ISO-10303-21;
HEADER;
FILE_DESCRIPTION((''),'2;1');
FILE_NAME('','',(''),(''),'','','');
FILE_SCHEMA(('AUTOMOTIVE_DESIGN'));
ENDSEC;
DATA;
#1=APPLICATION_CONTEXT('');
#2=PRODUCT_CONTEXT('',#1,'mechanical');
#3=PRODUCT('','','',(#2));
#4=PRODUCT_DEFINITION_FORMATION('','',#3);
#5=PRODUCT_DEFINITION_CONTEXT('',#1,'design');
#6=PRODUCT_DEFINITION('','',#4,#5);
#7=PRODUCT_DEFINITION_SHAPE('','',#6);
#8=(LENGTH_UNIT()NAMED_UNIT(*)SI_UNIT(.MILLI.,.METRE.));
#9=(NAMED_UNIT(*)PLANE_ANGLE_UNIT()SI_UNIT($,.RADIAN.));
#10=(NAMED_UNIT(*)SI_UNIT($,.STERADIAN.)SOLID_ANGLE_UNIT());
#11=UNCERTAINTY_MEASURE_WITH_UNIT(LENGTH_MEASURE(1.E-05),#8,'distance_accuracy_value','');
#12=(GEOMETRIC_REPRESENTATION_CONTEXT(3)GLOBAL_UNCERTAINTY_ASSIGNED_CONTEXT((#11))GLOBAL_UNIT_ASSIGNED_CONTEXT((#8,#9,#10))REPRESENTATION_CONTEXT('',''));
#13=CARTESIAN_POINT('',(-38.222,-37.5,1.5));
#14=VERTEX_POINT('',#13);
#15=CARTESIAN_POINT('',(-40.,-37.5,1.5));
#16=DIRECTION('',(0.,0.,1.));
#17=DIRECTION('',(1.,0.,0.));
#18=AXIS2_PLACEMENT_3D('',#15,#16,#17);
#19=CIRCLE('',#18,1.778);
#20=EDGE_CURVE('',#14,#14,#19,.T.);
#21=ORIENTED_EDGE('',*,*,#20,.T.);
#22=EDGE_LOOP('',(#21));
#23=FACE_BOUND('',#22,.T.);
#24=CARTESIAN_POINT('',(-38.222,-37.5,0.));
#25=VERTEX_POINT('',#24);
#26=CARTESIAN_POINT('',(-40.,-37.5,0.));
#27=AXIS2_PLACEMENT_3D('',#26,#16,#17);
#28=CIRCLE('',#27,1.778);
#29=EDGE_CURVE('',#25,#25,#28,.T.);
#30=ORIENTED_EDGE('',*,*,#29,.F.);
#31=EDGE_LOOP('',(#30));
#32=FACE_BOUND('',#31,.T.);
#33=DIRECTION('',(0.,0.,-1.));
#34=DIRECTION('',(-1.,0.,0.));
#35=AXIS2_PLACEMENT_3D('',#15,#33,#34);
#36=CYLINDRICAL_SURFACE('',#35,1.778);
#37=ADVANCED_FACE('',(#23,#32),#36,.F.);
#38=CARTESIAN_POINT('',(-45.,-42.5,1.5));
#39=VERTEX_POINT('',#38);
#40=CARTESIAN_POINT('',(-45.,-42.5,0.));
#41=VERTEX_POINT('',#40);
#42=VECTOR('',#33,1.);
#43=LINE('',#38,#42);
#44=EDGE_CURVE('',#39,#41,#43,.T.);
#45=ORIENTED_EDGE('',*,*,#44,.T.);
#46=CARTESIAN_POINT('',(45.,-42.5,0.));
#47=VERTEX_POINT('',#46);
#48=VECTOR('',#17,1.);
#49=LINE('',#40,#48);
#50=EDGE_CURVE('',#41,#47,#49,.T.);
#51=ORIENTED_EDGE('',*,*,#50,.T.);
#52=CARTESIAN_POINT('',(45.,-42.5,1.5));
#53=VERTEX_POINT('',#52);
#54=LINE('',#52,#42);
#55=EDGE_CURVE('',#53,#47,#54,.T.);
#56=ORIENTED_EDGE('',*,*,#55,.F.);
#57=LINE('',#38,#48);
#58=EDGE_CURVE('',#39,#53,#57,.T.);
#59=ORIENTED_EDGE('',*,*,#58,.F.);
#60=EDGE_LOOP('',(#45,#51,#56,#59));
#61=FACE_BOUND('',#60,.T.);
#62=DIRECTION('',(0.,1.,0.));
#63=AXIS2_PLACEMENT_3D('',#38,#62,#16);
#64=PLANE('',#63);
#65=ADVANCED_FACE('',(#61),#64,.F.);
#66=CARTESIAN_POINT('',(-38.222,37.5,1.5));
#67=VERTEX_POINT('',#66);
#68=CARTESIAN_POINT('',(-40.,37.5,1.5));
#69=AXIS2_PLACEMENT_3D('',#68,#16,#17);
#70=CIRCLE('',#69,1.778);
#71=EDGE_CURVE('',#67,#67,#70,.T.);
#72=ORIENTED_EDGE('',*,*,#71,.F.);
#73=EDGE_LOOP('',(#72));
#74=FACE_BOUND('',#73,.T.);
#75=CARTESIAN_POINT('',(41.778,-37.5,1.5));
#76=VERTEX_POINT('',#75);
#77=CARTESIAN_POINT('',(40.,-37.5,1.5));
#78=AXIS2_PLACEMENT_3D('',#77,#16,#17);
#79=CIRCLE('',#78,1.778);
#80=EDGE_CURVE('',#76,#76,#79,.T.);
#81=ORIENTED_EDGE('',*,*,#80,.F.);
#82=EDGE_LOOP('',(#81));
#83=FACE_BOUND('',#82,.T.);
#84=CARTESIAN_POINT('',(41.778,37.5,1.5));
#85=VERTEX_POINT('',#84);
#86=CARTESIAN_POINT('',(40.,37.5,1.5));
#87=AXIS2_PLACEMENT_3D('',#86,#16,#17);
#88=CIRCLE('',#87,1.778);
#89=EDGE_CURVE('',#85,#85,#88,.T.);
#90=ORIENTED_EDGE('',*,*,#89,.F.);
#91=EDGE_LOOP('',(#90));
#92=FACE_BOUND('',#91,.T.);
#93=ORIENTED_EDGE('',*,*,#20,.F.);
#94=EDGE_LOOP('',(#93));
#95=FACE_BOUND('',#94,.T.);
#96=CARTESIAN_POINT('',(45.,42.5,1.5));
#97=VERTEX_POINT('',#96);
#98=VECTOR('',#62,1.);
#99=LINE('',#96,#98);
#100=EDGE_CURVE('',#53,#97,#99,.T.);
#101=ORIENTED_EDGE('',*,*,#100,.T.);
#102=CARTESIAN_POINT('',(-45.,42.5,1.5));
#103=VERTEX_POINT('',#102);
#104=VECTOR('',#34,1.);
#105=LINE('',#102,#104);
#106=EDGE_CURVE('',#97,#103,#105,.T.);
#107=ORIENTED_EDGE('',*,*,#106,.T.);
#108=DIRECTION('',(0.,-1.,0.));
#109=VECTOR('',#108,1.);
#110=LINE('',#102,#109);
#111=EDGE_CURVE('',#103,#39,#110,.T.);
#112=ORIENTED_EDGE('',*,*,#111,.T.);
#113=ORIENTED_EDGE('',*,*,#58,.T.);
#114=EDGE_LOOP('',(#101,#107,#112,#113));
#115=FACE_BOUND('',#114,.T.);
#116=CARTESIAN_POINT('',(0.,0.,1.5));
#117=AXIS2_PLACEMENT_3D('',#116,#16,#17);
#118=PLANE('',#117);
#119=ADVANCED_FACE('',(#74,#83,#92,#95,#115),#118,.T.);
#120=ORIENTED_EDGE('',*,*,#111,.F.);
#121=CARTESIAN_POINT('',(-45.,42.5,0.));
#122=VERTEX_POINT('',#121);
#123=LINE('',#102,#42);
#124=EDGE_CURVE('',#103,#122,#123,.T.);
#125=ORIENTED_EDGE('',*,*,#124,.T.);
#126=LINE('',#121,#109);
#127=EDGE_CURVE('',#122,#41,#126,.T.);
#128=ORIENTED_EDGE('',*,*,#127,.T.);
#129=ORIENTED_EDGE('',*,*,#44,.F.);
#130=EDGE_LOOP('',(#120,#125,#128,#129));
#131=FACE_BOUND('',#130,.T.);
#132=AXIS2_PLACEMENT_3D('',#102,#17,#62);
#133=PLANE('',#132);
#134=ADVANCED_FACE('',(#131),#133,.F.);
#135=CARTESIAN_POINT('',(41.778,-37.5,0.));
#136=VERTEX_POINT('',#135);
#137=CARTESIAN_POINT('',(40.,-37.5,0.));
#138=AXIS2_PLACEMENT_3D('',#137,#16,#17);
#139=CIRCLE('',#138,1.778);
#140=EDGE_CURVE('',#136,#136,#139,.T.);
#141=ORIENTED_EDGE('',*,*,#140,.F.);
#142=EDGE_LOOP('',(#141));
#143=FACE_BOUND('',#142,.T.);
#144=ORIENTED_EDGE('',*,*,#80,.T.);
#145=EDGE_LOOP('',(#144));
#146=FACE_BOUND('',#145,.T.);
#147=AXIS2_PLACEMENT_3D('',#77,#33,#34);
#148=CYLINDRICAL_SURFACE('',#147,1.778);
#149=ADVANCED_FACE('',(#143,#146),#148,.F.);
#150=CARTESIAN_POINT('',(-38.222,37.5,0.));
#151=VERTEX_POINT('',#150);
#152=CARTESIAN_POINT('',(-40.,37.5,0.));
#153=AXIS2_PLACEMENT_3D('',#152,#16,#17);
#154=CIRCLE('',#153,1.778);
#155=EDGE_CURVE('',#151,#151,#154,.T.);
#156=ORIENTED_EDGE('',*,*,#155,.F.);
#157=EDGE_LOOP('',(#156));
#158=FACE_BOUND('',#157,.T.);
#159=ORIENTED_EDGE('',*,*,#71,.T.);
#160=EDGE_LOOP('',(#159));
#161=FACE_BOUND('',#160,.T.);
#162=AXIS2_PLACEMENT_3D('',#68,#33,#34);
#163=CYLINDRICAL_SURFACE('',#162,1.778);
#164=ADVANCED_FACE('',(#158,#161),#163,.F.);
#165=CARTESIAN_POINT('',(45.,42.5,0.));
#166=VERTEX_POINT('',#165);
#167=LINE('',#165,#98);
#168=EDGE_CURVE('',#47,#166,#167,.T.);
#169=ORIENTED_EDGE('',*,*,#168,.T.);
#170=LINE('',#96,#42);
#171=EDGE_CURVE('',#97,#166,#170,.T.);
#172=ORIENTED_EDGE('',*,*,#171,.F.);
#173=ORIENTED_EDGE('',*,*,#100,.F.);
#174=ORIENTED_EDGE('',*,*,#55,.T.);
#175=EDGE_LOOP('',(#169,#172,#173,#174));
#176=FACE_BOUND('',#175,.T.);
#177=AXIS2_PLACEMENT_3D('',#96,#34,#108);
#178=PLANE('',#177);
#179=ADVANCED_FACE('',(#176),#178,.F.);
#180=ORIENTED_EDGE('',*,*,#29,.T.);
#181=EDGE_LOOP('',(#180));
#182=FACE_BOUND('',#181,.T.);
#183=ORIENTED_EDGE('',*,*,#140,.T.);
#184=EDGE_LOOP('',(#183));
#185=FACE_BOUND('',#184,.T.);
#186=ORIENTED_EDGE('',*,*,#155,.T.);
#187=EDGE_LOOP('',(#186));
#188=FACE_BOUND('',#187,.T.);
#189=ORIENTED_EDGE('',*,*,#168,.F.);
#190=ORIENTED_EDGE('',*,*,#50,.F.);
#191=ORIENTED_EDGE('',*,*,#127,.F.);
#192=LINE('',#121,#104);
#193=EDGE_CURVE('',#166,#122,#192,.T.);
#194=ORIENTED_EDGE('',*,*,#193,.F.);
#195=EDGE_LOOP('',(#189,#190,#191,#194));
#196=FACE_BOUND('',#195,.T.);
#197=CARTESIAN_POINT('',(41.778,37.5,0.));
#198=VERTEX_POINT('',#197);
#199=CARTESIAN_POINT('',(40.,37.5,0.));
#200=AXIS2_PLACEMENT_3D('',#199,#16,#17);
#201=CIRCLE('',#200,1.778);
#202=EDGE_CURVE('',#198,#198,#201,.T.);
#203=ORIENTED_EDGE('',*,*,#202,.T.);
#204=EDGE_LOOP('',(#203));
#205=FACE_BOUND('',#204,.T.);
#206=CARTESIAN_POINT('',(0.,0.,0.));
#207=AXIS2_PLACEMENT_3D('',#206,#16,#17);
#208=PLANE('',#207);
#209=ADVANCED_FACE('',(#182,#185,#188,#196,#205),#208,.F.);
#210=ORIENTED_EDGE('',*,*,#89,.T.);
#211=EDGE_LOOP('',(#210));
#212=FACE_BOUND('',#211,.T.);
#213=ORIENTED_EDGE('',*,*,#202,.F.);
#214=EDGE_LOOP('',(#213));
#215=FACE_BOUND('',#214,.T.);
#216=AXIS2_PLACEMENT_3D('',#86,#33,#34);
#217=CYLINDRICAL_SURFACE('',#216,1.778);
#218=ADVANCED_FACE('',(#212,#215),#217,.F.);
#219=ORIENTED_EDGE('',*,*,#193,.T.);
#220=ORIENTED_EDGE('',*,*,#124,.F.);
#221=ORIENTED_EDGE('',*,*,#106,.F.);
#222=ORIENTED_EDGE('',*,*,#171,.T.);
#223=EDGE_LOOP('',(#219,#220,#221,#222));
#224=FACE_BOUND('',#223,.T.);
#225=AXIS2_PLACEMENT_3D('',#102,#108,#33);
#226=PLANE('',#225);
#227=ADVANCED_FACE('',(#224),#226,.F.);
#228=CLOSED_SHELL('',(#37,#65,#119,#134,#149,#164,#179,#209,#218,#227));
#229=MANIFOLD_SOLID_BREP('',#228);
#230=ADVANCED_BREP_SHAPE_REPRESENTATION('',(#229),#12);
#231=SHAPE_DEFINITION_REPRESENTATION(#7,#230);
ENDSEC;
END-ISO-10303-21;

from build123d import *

# Parameters (mm, degrees)
SKETCH1_W           = 90
SKETCH1_H           = 85
SKETCH1_R           = 1.778
BOSS_EXTRUDE1_DEPTH = 1.5


with BuildPart() as part:
    # Sketch1 → Boss-Extrude1 (new body)
    with BuildSketch(Plane.XY):
        Rectangle(SKETCH1_W, SKETCH1_H)
        with Locations((-40, 37.5)):
            Circle(SKETCH1_R, mode=Mode.SUBTRACT)
        with Locations((-40, -37.5)):
            Circle(SKETCH1_R, mode=Mode.SUBTRACT)
        with Locations((40, 37.5)):
            Circle(SKETCH1_R, mode=Mode.SUBTRACT)
        with Locations((40, -37.5)):
            Circle(SKETCH1_R, mode=Mode.SUBTRACT)
    extrude(amount=BOSS_EXTRUDE1_DEPTH)


solid = part.part
